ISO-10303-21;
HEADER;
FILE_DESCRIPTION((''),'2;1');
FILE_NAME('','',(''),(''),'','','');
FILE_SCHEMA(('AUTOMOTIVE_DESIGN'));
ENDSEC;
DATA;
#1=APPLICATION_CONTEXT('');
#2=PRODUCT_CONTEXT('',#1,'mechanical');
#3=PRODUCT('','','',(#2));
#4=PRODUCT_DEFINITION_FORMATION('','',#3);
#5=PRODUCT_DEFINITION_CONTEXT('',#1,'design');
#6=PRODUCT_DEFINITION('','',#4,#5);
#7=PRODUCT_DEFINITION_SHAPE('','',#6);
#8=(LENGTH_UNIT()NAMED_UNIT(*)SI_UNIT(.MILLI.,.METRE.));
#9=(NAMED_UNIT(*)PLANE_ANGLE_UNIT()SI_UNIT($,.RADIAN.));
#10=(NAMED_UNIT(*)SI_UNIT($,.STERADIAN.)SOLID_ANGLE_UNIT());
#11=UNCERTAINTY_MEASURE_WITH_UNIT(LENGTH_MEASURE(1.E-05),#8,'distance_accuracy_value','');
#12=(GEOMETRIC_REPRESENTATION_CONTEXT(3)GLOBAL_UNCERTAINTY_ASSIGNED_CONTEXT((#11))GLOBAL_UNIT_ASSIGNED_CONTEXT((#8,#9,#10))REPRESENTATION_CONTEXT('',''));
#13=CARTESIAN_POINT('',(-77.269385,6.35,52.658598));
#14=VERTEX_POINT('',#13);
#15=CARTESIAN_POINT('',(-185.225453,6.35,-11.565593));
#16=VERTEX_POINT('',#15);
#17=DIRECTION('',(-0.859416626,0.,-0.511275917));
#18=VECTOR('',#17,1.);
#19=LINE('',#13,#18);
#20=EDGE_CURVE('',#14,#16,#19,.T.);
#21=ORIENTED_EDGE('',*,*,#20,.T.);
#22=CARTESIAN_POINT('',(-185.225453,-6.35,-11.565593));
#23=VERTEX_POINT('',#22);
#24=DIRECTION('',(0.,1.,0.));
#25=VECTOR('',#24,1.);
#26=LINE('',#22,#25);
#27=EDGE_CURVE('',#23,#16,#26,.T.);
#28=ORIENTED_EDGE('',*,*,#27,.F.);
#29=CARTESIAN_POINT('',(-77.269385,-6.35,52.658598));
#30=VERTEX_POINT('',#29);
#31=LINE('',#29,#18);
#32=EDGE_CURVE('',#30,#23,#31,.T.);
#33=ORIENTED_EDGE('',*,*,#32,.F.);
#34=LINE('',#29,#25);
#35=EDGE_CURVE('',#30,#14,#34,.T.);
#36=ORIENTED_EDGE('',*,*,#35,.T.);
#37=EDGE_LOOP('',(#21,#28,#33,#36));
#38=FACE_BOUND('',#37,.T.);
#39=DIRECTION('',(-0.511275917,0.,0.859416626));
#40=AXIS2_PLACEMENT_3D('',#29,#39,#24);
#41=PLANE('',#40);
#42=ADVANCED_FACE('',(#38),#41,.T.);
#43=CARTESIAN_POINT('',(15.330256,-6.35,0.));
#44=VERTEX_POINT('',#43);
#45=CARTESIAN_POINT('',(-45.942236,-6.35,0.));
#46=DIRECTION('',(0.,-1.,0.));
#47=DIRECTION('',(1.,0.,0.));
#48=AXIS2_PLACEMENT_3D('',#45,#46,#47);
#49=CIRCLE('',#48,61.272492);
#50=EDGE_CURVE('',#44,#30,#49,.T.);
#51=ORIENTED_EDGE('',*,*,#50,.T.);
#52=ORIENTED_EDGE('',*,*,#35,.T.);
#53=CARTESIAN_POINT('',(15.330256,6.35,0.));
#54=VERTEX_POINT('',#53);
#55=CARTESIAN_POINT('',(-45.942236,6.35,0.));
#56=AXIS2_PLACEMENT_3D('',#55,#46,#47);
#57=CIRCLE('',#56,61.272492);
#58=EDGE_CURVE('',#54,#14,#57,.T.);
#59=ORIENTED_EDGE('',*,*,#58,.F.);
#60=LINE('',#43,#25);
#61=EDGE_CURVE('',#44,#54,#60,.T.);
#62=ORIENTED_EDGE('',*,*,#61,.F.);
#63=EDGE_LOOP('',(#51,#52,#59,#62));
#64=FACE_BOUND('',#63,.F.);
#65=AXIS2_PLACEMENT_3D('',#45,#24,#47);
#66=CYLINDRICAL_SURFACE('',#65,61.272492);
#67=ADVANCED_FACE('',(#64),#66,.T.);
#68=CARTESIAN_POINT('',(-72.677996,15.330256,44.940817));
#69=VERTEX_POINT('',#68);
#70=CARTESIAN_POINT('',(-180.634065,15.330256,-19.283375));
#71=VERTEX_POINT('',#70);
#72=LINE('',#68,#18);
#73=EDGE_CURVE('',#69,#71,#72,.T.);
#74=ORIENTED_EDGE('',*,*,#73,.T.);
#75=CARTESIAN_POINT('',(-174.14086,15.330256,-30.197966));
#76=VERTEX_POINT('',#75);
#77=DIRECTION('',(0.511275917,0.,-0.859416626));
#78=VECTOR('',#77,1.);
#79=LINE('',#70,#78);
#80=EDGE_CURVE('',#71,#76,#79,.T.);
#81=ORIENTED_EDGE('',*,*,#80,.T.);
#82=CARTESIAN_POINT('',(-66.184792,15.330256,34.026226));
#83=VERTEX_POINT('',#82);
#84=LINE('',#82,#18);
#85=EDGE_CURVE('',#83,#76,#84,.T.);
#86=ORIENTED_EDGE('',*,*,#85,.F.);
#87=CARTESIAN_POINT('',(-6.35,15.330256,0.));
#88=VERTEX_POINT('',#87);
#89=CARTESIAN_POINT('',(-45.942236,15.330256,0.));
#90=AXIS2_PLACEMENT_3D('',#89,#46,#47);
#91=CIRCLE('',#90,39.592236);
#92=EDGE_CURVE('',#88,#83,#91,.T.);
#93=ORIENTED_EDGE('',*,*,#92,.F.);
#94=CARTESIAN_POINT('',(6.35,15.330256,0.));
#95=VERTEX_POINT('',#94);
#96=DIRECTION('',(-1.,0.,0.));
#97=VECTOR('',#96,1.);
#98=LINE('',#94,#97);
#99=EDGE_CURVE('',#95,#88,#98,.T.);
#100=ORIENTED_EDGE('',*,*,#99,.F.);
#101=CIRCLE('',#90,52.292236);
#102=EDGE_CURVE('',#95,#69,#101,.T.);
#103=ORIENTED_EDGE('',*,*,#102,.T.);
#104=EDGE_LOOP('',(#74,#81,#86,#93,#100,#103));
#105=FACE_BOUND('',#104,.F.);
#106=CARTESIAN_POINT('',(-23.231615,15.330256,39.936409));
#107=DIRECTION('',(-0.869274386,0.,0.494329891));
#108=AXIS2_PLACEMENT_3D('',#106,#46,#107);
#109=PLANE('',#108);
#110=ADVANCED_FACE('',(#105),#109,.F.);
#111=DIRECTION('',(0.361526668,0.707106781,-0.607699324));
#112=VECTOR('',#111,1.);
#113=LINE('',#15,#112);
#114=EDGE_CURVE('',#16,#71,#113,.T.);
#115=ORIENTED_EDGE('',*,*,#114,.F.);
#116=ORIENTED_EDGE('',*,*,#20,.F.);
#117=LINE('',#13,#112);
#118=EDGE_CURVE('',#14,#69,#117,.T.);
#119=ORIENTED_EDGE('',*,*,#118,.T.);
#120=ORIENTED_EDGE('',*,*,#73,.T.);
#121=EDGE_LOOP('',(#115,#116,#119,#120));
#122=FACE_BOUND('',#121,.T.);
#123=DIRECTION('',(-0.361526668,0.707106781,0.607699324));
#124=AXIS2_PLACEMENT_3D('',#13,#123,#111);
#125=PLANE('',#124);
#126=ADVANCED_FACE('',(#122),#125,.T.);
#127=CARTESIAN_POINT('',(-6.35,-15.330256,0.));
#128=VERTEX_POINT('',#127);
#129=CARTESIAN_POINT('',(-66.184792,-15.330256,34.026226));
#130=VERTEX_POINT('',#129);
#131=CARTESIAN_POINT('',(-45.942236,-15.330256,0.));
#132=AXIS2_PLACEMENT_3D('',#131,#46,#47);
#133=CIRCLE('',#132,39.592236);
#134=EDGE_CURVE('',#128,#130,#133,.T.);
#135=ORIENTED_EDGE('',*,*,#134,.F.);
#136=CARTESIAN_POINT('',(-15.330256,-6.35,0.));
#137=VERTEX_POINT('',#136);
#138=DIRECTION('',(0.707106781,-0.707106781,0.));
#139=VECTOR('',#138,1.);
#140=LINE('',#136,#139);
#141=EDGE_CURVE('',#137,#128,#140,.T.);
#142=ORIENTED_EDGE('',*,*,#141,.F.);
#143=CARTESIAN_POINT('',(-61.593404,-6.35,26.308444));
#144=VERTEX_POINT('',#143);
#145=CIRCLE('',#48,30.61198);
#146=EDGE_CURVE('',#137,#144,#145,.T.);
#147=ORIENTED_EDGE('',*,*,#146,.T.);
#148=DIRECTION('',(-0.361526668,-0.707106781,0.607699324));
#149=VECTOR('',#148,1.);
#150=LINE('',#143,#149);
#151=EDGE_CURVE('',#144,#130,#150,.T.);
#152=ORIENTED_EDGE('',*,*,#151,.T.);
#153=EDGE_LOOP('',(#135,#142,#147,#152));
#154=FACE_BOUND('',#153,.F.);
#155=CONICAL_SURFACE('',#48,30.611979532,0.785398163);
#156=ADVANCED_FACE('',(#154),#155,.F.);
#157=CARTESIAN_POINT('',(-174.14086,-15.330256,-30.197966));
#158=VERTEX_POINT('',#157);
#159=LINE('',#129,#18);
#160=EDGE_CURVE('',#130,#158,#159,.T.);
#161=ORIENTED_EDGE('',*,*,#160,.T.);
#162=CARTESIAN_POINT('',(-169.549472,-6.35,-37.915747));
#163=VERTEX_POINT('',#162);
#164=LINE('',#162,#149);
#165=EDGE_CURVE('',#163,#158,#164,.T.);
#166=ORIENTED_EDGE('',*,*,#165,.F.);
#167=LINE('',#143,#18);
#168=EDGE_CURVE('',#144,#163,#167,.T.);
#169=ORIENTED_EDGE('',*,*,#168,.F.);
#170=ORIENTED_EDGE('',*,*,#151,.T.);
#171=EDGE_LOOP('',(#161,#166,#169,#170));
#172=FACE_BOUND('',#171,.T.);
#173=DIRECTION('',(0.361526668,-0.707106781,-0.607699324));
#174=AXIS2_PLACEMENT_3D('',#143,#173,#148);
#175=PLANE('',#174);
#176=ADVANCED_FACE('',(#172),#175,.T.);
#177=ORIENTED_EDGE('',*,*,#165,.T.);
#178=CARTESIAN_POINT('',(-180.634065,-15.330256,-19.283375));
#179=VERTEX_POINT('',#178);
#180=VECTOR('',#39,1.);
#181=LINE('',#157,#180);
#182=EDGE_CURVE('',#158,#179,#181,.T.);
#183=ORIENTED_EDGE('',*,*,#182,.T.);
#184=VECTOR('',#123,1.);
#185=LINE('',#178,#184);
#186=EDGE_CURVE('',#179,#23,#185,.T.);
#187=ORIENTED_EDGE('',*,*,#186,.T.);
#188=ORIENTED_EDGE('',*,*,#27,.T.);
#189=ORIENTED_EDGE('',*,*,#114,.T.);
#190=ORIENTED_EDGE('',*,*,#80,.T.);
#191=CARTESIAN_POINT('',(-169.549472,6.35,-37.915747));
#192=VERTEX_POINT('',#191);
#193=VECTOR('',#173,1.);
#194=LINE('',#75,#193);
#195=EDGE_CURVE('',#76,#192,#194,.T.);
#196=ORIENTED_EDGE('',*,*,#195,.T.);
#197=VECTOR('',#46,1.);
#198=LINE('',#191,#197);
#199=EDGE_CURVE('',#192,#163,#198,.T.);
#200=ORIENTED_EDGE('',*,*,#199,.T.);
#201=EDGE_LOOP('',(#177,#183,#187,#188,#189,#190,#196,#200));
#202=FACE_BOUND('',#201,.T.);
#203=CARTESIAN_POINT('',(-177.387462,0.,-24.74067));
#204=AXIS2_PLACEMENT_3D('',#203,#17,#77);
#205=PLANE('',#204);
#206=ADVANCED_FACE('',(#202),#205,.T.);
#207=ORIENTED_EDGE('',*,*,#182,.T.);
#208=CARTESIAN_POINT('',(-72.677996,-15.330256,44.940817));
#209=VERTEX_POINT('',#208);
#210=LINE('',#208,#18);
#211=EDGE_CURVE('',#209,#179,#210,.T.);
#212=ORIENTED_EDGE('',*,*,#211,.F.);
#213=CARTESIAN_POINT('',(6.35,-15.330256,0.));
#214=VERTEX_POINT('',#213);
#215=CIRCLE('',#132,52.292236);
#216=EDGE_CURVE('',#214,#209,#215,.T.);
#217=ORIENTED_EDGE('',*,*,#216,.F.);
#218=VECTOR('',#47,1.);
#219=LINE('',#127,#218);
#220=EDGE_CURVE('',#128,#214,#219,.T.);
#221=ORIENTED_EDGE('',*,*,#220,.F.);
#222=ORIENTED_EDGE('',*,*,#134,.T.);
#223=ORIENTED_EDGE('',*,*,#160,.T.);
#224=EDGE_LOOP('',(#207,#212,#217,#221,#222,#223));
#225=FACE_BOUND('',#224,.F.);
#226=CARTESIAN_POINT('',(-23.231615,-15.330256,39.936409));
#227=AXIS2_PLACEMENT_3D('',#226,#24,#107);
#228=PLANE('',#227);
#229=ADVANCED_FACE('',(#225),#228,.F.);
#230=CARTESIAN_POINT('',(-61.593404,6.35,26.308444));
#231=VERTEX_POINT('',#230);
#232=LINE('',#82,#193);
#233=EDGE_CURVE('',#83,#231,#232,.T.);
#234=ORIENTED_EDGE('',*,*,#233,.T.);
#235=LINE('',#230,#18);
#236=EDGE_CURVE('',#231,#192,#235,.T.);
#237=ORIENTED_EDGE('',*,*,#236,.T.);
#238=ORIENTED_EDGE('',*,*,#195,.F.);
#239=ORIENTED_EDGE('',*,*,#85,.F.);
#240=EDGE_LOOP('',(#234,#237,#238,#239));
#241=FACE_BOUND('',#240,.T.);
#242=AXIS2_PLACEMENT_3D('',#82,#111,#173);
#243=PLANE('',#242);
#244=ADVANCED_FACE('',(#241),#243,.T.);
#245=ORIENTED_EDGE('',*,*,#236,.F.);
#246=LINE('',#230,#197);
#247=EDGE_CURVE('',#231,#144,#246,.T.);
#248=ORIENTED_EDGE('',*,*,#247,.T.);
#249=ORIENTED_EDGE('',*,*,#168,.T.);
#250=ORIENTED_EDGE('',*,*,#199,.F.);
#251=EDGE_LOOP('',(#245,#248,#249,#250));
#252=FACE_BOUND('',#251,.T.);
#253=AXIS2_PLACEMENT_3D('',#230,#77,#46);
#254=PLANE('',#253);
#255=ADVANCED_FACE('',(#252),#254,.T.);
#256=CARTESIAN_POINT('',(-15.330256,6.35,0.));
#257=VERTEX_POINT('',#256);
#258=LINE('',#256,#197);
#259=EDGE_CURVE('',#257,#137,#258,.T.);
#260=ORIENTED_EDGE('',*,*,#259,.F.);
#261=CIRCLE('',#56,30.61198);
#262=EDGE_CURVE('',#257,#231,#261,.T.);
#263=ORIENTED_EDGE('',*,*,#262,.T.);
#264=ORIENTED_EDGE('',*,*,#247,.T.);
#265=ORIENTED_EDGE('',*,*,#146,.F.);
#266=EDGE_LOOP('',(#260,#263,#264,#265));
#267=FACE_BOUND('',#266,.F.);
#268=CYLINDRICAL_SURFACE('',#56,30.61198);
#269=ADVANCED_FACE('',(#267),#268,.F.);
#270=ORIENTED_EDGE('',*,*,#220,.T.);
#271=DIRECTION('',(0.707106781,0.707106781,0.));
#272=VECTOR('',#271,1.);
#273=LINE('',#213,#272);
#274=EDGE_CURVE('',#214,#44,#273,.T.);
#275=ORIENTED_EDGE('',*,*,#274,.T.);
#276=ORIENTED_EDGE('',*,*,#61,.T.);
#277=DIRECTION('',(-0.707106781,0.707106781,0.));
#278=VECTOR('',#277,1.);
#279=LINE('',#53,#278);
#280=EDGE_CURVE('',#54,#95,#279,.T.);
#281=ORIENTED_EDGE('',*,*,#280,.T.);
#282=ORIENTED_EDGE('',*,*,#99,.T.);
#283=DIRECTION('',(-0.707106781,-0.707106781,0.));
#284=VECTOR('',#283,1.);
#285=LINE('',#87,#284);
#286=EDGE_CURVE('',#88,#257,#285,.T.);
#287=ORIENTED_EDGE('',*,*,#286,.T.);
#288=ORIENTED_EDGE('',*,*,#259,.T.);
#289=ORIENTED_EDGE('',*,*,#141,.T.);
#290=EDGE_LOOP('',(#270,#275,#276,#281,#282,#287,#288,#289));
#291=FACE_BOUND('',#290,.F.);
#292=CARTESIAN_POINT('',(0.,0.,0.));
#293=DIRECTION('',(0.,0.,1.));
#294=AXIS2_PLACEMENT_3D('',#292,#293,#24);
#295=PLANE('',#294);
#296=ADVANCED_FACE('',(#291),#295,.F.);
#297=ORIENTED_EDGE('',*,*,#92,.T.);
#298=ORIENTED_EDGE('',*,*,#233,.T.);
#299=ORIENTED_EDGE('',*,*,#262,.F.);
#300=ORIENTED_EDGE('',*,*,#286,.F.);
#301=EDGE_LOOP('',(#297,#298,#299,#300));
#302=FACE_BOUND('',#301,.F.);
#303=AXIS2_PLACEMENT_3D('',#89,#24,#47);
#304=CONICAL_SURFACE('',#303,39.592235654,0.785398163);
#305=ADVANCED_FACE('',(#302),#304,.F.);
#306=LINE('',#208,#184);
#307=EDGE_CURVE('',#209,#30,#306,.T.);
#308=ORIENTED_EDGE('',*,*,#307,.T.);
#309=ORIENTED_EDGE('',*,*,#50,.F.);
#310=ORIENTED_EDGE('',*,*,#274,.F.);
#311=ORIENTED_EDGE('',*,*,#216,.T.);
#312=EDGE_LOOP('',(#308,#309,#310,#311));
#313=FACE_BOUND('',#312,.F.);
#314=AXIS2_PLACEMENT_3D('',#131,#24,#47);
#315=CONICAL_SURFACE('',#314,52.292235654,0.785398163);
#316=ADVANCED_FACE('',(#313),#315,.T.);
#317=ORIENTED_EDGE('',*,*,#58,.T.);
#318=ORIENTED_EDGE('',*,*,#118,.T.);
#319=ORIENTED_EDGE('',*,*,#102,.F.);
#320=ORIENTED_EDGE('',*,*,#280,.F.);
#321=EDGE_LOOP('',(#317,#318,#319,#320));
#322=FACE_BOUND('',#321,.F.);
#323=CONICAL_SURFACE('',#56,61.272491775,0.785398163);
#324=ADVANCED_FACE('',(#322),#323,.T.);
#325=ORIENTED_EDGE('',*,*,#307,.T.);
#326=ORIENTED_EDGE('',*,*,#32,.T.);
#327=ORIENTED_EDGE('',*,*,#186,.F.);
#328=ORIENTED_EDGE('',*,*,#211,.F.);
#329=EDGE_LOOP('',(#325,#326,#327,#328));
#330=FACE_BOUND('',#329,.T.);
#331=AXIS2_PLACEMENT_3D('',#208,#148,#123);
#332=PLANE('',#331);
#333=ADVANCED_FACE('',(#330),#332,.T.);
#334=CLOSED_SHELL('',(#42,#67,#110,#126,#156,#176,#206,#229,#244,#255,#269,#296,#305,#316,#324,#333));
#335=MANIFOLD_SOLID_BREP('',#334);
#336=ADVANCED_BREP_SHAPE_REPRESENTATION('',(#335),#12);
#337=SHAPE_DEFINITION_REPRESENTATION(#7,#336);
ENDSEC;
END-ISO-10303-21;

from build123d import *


with BuildPart() as f15:
    # F15: sweep along a path in F14
    with BuildLine(Plane.XZ) as f15_path:
        ThreePointArc((0, 0), (-23.231615305, 39.9364087047), (-69.4313943386, 39.4835211337))
        Line((-69.4313943386, 39.4835211337), (-177.3874624529, -24.7406701782))
    # F13 (on Top) → F15 (sweep)
    with BuildSketch(Plane.XY):
        Polygon((6.35, 15.3302561211), (-6.35, 15.3302561211), (-15.3302561211, 6.35), (-15.3302561211, -6.35), (-6.35, -15.3302561211), (6.35, -15.3302561211), (15.3302561211, -6.35), (15.3302561211, 6.35), align=None)
    sweep(path=f15_path.line)


solid = f15.part
